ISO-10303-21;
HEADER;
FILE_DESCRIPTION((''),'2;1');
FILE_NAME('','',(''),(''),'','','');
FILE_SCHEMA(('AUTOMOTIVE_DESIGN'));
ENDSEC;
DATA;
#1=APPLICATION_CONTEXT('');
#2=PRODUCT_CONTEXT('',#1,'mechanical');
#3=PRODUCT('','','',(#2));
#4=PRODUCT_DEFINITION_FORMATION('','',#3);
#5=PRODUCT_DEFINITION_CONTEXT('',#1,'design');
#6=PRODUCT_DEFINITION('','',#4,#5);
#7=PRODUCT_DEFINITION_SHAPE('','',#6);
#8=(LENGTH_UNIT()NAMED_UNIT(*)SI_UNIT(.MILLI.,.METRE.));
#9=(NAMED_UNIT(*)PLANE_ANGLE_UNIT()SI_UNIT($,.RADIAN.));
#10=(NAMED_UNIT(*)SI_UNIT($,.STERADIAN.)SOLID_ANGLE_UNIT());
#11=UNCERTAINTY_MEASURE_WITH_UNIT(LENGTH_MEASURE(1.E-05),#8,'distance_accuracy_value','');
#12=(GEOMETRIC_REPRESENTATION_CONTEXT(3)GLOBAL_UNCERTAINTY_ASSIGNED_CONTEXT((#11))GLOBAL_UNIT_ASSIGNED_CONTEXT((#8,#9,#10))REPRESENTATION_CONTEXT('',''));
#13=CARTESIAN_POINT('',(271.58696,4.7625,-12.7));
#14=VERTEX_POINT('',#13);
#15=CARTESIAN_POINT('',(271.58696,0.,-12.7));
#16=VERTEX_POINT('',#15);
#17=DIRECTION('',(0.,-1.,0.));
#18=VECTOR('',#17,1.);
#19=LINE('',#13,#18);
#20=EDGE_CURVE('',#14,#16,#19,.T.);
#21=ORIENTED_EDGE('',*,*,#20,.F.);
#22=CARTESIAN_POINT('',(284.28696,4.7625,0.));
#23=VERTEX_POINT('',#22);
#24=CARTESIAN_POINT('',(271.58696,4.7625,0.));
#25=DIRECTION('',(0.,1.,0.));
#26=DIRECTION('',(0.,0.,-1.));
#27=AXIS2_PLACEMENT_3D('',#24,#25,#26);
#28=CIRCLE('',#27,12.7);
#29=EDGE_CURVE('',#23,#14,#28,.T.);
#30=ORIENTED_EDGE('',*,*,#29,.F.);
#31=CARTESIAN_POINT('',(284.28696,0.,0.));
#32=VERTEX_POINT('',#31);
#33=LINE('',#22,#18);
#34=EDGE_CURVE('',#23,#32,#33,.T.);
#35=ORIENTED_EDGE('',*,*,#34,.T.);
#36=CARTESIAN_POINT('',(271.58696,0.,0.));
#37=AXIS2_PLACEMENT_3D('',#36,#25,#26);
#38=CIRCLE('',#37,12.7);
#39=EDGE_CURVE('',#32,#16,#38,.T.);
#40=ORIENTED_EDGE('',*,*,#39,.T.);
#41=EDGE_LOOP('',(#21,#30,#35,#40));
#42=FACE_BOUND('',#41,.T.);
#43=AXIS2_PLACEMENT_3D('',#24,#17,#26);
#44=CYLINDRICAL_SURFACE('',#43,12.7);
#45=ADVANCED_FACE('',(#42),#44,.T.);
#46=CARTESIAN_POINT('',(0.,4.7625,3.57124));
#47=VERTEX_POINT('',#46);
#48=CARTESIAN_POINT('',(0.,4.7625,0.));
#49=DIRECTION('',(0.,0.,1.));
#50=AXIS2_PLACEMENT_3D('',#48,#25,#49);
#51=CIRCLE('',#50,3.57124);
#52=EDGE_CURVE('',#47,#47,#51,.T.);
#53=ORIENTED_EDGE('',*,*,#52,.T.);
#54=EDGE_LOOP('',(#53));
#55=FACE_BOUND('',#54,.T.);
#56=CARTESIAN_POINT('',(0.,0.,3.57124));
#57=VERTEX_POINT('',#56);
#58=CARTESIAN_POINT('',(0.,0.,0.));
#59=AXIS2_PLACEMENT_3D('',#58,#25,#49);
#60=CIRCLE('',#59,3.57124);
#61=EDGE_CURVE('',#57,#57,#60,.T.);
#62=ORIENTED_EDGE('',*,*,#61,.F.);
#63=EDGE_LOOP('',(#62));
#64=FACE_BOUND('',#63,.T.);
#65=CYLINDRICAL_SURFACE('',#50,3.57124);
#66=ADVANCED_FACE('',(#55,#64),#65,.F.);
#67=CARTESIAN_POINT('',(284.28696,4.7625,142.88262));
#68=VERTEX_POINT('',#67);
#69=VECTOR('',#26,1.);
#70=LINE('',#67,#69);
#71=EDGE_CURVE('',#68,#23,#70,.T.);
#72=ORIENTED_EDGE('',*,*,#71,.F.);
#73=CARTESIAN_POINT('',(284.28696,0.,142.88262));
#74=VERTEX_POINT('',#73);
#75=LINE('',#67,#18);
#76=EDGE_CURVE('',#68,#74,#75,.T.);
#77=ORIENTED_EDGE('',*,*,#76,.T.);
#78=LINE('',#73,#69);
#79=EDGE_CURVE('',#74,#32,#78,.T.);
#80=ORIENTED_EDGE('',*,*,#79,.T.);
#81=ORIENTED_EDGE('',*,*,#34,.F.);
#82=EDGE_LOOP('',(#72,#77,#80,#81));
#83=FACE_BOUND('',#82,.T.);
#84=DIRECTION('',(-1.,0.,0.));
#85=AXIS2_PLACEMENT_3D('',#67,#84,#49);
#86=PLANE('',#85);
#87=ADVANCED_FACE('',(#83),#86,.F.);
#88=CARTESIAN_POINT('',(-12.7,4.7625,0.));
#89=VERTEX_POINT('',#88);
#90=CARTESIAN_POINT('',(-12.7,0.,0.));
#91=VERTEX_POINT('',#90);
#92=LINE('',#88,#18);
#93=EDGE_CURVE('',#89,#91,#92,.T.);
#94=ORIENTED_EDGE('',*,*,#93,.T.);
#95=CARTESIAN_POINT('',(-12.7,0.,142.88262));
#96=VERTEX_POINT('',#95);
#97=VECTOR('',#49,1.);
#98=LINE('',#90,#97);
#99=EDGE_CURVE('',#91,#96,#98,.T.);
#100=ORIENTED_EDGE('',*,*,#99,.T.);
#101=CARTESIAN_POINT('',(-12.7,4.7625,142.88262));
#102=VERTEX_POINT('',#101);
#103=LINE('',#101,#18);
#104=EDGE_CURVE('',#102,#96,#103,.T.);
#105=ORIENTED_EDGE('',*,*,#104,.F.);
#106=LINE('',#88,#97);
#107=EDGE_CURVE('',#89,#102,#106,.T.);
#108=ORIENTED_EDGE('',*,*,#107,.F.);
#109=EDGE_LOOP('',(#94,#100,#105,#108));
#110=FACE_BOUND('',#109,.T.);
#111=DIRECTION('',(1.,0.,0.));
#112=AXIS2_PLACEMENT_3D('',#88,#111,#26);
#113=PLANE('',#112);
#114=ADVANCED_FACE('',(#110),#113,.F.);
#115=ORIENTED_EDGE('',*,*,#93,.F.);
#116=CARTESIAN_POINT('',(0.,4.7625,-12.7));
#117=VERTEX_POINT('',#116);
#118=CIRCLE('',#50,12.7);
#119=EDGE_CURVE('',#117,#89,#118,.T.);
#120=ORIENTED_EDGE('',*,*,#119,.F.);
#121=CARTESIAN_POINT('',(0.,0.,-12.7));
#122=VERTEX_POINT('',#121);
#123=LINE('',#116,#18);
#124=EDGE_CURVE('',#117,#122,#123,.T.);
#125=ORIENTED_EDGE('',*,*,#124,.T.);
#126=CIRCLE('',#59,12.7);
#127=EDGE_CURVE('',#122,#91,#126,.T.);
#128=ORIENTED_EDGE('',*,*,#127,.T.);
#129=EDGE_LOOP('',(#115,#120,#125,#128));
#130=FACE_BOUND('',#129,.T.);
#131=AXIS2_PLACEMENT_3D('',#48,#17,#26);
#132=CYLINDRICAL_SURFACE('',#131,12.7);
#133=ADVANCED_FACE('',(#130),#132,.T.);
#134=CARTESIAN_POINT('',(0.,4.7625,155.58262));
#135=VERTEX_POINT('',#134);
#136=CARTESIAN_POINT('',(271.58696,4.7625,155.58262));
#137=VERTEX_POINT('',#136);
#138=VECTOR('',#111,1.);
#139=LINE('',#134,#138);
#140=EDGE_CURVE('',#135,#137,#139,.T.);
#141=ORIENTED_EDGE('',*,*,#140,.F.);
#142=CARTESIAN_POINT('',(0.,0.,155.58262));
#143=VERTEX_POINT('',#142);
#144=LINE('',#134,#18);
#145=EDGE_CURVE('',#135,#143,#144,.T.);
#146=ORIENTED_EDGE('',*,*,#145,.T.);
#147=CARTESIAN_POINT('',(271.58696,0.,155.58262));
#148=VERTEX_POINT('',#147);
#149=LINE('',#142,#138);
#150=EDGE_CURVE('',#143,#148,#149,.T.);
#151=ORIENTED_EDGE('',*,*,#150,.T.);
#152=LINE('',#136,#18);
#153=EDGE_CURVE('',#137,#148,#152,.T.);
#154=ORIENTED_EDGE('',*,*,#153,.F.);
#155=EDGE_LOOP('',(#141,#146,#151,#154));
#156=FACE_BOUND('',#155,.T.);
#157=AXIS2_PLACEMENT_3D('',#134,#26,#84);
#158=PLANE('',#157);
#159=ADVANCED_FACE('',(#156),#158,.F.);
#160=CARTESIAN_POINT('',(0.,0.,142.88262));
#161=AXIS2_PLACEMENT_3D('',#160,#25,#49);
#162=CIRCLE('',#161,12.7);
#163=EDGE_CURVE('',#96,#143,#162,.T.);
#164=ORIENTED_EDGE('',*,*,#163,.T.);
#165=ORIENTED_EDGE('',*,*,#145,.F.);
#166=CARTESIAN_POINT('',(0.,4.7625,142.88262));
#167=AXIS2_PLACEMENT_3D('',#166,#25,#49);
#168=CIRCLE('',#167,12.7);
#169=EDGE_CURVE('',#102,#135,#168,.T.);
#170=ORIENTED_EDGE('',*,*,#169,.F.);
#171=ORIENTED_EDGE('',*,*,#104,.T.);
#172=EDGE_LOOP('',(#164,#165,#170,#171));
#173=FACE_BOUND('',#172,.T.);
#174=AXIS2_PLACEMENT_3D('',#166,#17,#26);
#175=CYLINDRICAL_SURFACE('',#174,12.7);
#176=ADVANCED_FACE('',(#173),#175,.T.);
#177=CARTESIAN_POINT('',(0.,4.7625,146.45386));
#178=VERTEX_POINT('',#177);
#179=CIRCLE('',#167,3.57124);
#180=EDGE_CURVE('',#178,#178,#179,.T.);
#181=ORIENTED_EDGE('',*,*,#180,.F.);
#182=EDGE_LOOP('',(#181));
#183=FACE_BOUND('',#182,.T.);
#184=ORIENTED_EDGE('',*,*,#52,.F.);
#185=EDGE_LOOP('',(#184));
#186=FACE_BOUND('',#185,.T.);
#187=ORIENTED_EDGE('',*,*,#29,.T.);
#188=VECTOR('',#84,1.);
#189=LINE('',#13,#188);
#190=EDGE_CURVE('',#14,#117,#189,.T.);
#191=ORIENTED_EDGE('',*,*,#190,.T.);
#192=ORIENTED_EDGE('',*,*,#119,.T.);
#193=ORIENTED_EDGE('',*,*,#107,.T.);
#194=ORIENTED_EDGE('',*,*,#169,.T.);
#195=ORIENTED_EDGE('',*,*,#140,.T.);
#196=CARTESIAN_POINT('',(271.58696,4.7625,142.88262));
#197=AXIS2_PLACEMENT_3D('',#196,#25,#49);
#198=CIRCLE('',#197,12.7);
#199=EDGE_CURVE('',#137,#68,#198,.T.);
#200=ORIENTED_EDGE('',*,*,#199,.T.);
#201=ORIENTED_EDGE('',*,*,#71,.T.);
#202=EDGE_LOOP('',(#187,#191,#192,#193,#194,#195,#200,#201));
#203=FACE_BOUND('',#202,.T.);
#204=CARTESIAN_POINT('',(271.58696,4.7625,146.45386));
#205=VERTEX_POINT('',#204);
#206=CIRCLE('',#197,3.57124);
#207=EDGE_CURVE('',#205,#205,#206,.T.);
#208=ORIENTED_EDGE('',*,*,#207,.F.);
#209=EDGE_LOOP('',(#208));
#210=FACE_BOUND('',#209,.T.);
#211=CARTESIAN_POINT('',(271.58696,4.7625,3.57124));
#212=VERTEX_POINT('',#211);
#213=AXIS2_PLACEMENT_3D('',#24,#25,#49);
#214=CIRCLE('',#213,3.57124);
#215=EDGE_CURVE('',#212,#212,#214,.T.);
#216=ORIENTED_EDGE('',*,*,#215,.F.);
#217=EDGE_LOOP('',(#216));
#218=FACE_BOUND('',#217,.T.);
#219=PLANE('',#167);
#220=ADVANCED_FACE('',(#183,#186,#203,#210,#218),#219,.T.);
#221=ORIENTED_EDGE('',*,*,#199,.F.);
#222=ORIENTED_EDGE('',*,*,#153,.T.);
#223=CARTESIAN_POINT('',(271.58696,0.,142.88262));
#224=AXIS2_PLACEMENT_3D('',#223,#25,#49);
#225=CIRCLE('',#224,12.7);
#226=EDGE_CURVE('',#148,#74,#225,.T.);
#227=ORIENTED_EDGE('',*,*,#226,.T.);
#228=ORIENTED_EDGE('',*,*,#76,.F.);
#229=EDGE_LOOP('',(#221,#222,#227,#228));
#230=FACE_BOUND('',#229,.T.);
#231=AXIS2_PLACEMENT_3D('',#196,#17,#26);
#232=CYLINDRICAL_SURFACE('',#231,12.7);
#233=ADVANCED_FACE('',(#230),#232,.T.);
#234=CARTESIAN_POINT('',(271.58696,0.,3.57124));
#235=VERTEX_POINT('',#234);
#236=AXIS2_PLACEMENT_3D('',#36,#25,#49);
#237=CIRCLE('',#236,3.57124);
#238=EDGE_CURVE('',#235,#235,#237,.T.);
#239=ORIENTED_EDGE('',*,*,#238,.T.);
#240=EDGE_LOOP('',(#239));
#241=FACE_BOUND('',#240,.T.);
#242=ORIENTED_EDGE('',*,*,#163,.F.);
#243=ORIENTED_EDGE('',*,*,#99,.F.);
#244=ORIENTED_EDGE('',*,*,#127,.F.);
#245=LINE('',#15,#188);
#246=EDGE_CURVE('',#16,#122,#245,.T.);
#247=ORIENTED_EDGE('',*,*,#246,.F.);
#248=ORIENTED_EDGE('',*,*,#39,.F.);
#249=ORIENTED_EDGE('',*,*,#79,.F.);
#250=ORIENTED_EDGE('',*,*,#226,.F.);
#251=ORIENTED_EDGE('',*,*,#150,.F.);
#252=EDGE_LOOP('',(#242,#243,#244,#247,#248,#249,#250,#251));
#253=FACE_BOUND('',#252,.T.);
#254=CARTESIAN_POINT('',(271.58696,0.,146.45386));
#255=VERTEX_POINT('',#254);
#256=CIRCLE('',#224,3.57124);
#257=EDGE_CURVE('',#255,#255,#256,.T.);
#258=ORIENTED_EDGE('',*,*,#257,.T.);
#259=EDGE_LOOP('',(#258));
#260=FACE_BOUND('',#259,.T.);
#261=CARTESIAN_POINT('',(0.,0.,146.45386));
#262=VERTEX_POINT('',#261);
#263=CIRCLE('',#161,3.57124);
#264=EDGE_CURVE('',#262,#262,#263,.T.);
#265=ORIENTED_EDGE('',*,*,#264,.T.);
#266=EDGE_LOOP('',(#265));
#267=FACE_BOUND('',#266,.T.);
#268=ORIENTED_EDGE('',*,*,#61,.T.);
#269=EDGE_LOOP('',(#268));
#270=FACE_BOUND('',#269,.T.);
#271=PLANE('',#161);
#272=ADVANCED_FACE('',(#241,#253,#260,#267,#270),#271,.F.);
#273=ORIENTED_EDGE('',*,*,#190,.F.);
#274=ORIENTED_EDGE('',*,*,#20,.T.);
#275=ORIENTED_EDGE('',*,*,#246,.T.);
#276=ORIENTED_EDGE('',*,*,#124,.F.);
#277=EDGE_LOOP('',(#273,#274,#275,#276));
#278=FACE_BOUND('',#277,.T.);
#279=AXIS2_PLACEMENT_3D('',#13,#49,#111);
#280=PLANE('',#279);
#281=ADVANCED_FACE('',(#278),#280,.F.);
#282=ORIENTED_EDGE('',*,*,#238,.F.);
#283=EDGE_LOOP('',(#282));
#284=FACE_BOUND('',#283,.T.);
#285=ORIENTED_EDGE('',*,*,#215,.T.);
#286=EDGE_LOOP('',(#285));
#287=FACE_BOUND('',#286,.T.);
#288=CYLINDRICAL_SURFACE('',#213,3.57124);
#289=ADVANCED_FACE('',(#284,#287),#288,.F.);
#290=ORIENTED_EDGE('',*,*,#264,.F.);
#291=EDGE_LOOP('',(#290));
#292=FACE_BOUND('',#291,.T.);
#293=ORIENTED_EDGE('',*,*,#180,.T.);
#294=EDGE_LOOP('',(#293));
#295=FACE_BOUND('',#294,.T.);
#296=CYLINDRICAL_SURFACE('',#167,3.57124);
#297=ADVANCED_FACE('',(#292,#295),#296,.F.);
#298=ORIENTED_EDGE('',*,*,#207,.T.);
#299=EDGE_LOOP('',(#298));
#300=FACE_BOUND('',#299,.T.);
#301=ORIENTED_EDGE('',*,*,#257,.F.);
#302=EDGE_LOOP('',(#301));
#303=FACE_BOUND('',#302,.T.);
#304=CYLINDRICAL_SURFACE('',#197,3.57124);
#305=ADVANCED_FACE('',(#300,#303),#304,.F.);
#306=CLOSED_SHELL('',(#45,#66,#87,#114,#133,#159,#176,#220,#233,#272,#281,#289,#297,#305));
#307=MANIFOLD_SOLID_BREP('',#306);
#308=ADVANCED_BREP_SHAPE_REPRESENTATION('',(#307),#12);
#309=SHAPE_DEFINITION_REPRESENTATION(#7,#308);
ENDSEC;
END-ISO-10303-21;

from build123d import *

# Parameters (mm, degrees)
BOSS_EXTRUDE1_DEPTH     = 4.7625
F_1_4_CLEARANCE_HOLE1_D = 7.14248


with BuildPart() as part:
    # Sketch2 → Boss-Extrude1 (new body)
    with BuildSketch(Plane(origin=(0, 0, 0), x_dir=(1, 0, 0), z_dir=(0, 1, 0))):
        with BuildLine():
            Line((-12.7, 0), (-12.7, -142.88262))
            ThreePointArc((-12.7, -142.88262), (-8.980256121, -151.862876121), (0, -155.58262))
            Line((0, -155.58262), (271.58696, -155.58262))
            ThreePointArc((271.58696, -155.58262), (280.567216121, -151.862876121), (284.28696, -142.88262))
            Line((284.28696, -142.88262), (284.28696, 0))
            ThreePointArc((284.28696, 0), (280.567216121, 8.980256121), (271.58696, 12.7))
            Line((271.58696, 12.7), (0, 12.7))
            ThreePointArc((0, 12.7), (-8.980256121, 8.980256121), (-12.7, 0))
        make_face()
    extrude(amount=BOSS_EXTRUDE1_DEPTH)

    # 1/4 Clearance Hole1 (through all)
    with Locations(Plane(origin=(0, 4.7625, 0), x_dir=(1, 0, 0), z_dir=(0, 1, 0))):
        with Locations((0, 0), (0, -142.88262), (271.58696, -142.88262), (271.58696, 0)):
            Hole(F_1_4_CLEARANCE_HOLE1_D / 2)


solid = part.part
